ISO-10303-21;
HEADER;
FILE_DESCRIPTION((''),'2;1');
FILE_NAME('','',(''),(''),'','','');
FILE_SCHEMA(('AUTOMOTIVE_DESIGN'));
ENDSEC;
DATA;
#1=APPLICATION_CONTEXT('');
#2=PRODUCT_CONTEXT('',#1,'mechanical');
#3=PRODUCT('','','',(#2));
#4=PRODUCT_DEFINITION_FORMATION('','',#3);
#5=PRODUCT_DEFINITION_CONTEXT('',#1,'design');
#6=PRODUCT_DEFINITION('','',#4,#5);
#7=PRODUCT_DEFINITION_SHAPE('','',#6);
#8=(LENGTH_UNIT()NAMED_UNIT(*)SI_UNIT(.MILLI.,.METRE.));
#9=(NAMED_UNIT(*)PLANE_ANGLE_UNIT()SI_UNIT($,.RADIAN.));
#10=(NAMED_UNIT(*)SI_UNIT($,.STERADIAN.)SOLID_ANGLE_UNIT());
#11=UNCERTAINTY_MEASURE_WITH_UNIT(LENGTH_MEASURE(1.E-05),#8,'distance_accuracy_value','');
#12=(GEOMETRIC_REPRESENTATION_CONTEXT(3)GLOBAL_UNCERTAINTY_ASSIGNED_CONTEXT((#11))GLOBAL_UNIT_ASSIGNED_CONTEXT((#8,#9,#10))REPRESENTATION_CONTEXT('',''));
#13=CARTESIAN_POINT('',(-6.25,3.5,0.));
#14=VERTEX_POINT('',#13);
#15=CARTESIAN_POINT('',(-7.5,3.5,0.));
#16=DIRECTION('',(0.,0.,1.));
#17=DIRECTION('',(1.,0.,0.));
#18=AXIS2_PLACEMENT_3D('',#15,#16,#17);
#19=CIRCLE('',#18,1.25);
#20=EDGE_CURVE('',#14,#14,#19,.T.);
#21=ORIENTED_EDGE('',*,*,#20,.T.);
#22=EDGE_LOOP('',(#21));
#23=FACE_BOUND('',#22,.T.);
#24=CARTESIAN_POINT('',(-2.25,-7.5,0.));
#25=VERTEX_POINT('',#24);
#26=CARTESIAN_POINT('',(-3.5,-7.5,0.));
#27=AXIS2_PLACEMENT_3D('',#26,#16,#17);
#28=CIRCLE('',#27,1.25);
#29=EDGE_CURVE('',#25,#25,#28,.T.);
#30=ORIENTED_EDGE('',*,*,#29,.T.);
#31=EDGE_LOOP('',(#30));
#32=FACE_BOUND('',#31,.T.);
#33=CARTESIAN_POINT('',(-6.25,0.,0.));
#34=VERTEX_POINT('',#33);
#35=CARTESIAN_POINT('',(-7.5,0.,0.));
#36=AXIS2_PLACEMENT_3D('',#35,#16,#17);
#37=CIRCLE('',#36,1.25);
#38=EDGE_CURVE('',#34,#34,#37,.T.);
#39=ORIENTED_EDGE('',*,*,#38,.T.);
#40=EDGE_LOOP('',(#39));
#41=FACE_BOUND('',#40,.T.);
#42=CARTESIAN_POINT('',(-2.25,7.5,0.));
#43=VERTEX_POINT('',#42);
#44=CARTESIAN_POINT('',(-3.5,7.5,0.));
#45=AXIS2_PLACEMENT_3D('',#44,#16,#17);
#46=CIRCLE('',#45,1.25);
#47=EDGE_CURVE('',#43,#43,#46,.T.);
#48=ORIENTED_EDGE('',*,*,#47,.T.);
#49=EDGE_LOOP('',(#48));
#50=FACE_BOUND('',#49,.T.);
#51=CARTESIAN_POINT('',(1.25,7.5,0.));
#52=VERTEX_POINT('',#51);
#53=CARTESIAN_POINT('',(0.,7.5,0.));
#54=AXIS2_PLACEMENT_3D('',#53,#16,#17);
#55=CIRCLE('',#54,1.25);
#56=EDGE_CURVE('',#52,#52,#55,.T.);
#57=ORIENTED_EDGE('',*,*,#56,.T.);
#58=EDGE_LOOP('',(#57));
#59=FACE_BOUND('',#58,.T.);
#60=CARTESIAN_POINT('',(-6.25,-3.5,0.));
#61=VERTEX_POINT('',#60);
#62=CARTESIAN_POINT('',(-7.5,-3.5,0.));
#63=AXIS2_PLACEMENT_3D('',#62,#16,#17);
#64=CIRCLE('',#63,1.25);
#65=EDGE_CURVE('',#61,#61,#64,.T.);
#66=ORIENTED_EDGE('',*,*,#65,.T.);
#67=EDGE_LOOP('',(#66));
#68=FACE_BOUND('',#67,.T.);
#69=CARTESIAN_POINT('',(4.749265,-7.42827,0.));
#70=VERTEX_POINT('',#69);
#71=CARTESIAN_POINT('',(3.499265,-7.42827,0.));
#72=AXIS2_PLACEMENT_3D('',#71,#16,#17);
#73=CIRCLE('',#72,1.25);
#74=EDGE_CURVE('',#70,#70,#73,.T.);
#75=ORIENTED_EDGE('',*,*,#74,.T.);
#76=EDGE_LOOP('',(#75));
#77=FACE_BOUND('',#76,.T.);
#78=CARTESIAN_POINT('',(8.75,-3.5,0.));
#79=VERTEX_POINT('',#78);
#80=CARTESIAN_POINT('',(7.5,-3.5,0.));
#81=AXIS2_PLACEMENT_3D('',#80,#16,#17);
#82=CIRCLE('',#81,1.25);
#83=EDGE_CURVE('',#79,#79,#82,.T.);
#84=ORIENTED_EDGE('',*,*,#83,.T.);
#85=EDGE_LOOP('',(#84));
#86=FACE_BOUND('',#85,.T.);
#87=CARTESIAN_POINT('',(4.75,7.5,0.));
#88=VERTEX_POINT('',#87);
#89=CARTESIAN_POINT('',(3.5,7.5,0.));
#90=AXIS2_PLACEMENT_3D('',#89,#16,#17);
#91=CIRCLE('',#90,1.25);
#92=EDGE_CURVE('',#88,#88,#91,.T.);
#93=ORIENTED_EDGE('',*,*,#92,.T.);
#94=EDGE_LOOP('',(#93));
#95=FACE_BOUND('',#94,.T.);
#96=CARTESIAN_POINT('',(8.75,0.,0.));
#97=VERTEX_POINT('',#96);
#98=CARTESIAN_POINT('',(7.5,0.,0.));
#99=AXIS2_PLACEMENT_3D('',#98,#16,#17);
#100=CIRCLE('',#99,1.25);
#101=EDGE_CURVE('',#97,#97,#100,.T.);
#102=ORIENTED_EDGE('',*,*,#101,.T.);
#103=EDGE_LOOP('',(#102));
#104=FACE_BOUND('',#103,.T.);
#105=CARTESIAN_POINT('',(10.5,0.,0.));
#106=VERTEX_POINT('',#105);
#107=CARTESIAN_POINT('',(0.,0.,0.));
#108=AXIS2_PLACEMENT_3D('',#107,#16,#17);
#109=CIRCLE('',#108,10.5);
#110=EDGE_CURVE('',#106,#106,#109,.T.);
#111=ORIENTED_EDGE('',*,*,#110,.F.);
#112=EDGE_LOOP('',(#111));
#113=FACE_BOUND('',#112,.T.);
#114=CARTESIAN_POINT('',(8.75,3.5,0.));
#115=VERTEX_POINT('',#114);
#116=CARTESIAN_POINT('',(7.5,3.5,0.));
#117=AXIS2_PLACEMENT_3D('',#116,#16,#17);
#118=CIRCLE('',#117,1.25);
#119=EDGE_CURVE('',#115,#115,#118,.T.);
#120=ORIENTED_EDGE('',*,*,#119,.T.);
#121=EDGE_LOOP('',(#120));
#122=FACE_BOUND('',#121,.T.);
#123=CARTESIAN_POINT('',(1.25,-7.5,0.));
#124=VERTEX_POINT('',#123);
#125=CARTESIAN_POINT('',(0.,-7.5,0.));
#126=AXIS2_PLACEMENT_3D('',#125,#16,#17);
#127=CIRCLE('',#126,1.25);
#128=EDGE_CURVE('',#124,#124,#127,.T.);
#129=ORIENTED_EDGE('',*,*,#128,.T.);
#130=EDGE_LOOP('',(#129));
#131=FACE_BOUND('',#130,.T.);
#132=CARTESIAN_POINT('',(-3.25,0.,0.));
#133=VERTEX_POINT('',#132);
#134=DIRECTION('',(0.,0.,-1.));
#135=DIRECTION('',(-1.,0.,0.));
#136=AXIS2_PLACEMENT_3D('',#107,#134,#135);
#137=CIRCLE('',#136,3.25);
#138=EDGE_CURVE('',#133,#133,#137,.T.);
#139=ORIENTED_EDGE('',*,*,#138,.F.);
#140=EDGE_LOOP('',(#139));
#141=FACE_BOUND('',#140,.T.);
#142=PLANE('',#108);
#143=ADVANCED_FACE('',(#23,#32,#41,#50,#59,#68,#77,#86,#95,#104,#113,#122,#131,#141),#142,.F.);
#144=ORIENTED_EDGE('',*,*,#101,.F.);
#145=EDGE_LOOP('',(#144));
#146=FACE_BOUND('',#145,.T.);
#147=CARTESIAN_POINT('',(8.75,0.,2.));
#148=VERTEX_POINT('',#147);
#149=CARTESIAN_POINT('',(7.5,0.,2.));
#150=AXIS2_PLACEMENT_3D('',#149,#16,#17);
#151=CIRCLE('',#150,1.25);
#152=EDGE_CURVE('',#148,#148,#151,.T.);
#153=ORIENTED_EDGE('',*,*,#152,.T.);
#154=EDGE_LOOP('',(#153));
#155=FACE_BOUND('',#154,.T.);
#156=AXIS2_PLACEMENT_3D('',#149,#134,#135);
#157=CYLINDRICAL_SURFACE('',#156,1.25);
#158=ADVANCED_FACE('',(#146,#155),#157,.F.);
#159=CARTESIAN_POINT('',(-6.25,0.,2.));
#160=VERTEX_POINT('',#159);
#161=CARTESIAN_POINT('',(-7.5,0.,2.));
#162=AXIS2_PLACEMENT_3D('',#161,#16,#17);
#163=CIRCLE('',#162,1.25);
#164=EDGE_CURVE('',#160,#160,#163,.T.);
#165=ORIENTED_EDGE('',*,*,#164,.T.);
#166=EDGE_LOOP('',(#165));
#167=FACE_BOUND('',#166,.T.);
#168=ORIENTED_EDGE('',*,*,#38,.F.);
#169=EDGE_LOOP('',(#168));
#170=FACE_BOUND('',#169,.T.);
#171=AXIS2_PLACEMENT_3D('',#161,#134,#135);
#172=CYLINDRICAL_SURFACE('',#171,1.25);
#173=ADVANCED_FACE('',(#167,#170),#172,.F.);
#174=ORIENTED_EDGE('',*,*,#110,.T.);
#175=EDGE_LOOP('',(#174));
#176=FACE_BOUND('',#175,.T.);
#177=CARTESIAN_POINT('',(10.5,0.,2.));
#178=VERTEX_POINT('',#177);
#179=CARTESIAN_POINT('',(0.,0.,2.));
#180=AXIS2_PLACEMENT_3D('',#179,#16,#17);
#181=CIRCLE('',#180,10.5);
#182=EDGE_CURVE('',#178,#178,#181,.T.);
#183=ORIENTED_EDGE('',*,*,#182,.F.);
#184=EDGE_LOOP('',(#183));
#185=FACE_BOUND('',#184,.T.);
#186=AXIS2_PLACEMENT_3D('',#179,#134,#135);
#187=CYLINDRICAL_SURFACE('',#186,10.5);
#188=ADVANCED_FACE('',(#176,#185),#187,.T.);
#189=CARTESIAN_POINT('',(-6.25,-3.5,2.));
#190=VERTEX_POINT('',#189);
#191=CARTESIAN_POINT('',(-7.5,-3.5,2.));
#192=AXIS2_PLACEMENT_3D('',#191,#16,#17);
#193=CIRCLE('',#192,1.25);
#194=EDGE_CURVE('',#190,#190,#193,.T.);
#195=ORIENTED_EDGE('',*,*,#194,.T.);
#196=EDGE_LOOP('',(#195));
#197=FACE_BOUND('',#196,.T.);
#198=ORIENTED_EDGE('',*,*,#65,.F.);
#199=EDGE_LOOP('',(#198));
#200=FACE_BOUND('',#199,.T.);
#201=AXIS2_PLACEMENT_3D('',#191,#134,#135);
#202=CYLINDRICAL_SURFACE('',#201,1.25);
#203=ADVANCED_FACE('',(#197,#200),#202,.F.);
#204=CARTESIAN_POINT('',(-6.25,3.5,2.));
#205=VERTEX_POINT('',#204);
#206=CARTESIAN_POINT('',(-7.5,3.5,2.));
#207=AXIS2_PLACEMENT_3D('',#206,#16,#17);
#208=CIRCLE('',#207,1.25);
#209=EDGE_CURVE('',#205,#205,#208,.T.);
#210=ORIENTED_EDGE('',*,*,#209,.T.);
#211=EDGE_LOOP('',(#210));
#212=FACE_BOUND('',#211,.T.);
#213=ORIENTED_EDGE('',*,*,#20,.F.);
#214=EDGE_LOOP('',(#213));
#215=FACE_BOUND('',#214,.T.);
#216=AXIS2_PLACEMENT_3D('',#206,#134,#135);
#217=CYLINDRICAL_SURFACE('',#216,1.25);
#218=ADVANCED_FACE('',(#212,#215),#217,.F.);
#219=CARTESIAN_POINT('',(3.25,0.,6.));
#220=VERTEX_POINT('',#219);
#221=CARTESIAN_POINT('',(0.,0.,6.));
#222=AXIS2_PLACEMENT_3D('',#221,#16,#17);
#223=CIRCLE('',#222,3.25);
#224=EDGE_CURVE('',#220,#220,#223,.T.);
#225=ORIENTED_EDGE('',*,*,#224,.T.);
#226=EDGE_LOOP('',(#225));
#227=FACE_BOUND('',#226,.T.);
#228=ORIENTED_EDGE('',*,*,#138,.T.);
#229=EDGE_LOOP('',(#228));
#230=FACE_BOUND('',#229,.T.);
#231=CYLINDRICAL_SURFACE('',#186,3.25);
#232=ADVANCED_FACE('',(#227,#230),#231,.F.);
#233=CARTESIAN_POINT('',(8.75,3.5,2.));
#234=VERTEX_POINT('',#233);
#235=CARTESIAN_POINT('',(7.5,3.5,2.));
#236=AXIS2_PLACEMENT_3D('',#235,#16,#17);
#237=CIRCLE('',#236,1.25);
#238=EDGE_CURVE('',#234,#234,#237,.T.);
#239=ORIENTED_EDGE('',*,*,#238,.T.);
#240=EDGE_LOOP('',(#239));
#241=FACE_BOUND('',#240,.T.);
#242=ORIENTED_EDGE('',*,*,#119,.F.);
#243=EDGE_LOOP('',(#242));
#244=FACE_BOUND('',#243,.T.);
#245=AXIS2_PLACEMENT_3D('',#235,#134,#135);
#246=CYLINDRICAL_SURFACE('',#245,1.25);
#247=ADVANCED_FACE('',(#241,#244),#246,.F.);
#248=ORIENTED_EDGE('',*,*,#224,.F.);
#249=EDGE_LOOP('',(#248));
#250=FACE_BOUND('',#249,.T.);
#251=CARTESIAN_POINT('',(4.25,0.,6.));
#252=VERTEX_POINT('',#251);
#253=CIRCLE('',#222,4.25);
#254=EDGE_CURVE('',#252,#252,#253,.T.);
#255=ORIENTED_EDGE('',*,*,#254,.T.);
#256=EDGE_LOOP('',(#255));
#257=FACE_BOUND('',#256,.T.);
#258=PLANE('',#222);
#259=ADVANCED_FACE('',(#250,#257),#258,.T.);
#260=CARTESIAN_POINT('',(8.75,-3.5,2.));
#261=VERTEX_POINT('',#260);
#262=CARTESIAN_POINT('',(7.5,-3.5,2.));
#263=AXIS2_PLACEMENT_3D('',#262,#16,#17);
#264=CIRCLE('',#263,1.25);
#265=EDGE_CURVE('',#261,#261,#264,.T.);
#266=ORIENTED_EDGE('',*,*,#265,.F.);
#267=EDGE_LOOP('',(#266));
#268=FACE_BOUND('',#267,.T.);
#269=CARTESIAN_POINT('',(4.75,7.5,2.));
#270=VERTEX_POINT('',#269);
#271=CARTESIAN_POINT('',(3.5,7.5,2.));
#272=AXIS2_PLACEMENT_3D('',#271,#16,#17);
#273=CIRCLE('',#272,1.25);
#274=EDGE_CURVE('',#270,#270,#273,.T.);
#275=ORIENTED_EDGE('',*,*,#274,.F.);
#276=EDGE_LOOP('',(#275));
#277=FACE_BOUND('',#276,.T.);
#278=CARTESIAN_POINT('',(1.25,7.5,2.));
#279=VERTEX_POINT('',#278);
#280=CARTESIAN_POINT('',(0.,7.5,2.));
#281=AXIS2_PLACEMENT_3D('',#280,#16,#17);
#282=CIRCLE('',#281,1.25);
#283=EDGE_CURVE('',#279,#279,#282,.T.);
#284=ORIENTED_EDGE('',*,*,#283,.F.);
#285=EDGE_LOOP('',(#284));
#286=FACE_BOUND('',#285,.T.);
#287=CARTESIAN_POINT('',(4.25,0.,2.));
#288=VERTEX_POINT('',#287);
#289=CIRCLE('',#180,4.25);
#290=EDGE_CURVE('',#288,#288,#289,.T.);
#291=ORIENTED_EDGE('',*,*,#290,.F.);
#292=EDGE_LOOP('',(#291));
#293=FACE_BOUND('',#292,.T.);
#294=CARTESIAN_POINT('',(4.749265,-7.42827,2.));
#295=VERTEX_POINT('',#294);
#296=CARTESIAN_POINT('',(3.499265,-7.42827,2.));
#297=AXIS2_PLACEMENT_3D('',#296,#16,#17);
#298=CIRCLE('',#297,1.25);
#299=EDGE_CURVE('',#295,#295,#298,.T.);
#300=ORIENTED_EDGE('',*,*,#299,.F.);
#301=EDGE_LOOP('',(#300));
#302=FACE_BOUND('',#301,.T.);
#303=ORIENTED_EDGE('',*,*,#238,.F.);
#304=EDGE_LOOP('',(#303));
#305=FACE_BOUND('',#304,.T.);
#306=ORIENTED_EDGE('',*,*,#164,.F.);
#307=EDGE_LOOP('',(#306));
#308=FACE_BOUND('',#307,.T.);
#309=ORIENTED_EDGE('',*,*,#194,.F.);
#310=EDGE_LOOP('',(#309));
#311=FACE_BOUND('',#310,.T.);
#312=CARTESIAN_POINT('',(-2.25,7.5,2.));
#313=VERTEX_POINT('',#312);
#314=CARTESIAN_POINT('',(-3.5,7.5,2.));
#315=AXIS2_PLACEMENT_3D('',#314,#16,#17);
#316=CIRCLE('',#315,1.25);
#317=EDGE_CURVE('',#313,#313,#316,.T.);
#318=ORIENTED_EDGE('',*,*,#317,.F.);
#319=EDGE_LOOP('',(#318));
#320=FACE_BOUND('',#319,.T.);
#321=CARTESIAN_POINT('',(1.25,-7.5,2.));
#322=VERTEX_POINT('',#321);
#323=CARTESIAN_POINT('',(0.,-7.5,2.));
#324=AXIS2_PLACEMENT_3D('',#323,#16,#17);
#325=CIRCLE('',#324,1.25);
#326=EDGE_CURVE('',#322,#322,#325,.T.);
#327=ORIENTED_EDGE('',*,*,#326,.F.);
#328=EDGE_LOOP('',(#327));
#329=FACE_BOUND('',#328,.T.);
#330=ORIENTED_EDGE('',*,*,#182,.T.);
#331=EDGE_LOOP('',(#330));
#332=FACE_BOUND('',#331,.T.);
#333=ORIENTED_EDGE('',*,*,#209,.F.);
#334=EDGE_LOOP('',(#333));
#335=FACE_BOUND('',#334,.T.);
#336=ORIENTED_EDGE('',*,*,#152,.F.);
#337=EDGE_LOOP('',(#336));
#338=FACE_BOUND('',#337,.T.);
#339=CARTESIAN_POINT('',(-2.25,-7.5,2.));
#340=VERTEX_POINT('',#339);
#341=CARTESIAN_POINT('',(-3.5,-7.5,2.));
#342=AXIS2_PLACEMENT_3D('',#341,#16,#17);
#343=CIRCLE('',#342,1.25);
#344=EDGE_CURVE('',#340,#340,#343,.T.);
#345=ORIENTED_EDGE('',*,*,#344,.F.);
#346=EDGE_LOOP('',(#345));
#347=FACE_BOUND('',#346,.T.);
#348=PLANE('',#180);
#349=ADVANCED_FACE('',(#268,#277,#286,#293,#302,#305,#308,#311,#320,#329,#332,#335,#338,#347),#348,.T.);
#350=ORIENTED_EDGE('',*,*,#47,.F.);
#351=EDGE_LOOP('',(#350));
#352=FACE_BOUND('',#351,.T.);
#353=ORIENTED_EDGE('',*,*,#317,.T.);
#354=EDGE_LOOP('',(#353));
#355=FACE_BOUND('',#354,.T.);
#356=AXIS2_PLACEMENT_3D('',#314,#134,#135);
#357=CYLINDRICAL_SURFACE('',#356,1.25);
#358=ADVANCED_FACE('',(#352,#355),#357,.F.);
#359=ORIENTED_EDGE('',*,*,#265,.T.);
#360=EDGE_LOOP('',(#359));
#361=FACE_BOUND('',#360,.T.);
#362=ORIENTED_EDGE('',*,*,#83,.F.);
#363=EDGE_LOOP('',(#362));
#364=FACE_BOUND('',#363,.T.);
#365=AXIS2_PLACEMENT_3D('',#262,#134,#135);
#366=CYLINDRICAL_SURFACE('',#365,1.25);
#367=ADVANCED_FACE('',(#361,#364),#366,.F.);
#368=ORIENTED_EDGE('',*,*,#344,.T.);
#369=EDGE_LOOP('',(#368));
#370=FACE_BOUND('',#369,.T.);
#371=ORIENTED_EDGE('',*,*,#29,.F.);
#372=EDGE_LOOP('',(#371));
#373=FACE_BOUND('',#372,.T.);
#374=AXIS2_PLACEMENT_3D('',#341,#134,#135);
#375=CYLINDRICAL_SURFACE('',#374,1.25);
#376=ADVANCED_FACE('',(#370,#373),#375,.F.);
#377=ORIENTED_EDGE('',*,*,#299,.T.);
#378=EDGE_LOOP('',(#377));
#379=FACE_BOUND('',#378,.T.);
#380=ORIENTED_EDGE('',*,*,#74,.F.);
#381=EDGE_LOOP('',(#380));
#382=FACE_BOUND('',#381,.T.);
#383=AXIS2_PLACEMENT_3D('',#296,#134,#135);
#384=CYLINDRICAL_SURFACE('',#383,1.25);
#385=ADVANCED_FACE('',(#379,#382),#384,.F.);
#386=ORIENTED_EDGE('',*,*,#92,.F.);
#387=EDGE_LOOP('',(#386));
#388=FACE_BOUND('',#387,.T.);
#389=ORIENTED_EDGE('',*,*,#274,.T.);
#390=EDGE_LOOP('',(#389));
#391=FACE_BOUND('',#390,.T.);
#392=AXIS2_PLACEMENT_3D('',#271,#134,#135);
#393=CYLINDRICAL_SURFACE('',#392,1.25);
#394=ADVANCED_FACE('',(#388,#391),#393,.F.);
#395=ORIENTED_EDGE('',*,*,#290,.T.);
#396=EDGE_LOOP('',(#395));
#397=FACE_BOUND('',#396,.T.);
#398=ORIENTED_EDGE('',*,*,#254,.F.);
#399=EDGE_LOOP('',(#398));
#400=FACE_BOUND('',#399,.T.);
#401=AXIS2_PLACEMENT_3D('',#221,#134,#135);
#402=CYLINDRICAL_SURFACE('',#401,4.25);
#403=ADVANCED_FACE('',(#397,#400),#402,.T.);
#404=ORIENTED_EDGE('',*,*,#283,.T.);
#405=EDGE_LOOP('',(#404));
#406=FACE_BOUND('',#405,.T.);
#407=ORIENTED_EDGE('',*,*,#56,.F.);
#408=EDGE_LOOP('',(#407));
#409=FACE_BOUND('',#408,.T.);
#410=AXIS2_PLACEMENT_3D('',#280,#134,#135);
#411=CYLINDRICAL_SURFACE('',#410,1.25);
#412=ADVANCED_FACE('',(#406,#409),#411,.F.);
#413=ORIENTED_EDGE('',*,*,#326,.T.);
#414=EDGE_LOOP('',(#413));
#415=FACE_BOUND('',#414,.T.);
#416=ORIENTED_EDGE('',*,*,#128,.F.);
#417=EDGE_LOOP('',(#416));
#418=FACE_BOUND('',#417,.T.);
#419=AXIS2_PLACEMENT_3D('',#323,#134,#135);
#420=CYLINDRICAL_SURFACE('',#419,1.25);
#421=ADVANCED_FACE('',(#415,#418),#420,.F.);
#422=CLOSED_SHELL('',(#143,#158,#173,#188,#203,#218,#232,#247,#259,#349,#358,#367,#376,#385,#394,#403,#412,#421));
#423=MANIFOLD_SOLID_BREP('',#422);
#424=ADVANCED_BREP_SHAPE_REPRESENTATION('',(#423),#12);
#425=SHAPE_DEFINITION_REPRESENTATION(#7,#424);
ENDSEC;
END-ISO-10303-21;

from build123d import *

# Parameters (mm, degrees)
SKETCH5_R           = 10.5
SKETCH5_R_2         = 1.25
BOSS_EXTRUDE2_DEPTH = 2
SKETCH6_R           = 1.25
CUT_EXTRUDE2_DEPTH  = 2
SKETCH7_R           = 3
CUT_EXTRUDE3_DEPTH  = 1
SKETCH9_R           = 3
CUT_EXTRUDE5_DEPTH  = 5
SKETCH10_R          = 3
BOSS_EXTRUDE5_DEPTH = 2
SKETCH11_R          = 3.25
CUT_EXTRUDE6_DEPTH  = 2
SKETCH13_R          = 4.25
SKETCH13_R_2        = 3.25
BOSS_EXTRUDE6_DEPTH = 4


with BuildPart() as part:
    # Sketch5 → Boss-Extrude2 (new body)
    with BuildSketch(Plane.XY):
        Circle(SKETCH5_R)
        with Locations((0, 7.5)):
            Circle(SKETCH5_R_2, mode=Mode.SUBTRACT)
        with Locations((-3.5, 7.5)):
            Circle(SKETCH5_R_2, mode=Mode.SUBTRACT)
        with Locations((3.5, 7.5)):
            Circle(SKETCH5_R_2, mode=Mode.SUBTRACT)
        with Locations((-7.5, 0)):
            Circle(SKETCH5_R_2, mode=Mode.SUBTRACT)
        with Locations((-7.5, 3.5)):
            Circle(SKETCH5_R_2, mode=Mode.SUBTRACT)
        with Locations((-7.5, -3.5)):
            Circle(SKETCH5_R_2, mode=Mode.SUBTRACT)
        with Locations((0, -7.5)):
            Circle(SKETCH5_R_2, mode=Mode.SUBTRACT)
        with Locations((-3.5, -7.5)):
            Circle(SKETCH5_R_2, mode=Mode.SUBTRACT)
        with Locations((3.499264905, -7.428270452)):
            Circle(SKETCH5_R_2, mode=Mode.SUBTRACT)
        with Locations((7.5, 0)):
            Circle(SKETCH5_R_2, mode=Mode.SUBTRACT)
        with Locations((7.5, 3.5)):
            Circle(SKETCH5_R_2, mode=Mode.SUBTRACT)
        with Locations((7.5, -3.5)):
            Circle(SKETCH5_R_2, mode=Mode.SUBTRACT)
    extrude(amount=BOSS_EXTRUDE2_DEPTH)

    # Sketch6 → Cut-Extrude2 (cut)
    with BuildSketch(Plane(origin=(0, 0, 0), x_dir=(-1, 0, 0), z_dir=(0, 0, -1))):
        Circle(SKETCH6_R)
    extrude(amount=-CUT_EXTRUDE2_DEPTH, mode=Mode.SUBTRACT)

    # Sketch7 → Cut-Extrude3 (cut)
    with BuildSketch(Plane(origin=(0, 0, 0), x_dir=(-1, 0, 0), z_dir=(0, 0, -1))):
        Circle(SKETCH7_R)
    extrude(amount=-CUT_EXTRUDE3_DEPTH, mode=Mode.SUBTRACT)

    # Sketch9 → Cut-Extrude5 (cut)
    with BuildSketch(Plane(origin=(0, 0, 0), x_dir=(-1, 0, 0), z_dir=(0, 0, -1))):
        Circle(SKETCH9_R)
    extrude(amount=-CUT_EXTRUDE5_DEPTH, mode=Mode.SUBTRACT)

    # Sketch10 → Boss-Extrude5 (add)
    with BuildSketch(Plane(origin=(0, 0, 0), x_dir=(-1, 0, 0), z_dir=(0, 0, -1))):
        Circle(SKETCH10_R)
    extrude(amount=-BOSS_EXTRUDE5_DEPTH)

    # Sketch11 → Cut-Extrude6 (cut)
    with BuildSketch(Plane(origin=(0, 0, 0), x_dir=(-1, 0, 0), z_dir=(0, 0, -1))):
        Circle(SKETCH11_R)
    extrude(amount=-CUT_EXTRUDE6_DEPTH, mode=Mode.SUBTRACT)

    # Sketch13 → Boss-Extrude6 (add)
    with BuildSketch(Plane.XY.offset(2)):
        Circle(SKETCH13_R)
        with Locations(Location((0, 0, 0), (0, 0, 180))):
            Circle(SKETCH13_R_2, mode=Mode.SUBTRACT)
    extrude(amount=BOSS_EXTRUDE6_DEPTH)


solid = part.part
